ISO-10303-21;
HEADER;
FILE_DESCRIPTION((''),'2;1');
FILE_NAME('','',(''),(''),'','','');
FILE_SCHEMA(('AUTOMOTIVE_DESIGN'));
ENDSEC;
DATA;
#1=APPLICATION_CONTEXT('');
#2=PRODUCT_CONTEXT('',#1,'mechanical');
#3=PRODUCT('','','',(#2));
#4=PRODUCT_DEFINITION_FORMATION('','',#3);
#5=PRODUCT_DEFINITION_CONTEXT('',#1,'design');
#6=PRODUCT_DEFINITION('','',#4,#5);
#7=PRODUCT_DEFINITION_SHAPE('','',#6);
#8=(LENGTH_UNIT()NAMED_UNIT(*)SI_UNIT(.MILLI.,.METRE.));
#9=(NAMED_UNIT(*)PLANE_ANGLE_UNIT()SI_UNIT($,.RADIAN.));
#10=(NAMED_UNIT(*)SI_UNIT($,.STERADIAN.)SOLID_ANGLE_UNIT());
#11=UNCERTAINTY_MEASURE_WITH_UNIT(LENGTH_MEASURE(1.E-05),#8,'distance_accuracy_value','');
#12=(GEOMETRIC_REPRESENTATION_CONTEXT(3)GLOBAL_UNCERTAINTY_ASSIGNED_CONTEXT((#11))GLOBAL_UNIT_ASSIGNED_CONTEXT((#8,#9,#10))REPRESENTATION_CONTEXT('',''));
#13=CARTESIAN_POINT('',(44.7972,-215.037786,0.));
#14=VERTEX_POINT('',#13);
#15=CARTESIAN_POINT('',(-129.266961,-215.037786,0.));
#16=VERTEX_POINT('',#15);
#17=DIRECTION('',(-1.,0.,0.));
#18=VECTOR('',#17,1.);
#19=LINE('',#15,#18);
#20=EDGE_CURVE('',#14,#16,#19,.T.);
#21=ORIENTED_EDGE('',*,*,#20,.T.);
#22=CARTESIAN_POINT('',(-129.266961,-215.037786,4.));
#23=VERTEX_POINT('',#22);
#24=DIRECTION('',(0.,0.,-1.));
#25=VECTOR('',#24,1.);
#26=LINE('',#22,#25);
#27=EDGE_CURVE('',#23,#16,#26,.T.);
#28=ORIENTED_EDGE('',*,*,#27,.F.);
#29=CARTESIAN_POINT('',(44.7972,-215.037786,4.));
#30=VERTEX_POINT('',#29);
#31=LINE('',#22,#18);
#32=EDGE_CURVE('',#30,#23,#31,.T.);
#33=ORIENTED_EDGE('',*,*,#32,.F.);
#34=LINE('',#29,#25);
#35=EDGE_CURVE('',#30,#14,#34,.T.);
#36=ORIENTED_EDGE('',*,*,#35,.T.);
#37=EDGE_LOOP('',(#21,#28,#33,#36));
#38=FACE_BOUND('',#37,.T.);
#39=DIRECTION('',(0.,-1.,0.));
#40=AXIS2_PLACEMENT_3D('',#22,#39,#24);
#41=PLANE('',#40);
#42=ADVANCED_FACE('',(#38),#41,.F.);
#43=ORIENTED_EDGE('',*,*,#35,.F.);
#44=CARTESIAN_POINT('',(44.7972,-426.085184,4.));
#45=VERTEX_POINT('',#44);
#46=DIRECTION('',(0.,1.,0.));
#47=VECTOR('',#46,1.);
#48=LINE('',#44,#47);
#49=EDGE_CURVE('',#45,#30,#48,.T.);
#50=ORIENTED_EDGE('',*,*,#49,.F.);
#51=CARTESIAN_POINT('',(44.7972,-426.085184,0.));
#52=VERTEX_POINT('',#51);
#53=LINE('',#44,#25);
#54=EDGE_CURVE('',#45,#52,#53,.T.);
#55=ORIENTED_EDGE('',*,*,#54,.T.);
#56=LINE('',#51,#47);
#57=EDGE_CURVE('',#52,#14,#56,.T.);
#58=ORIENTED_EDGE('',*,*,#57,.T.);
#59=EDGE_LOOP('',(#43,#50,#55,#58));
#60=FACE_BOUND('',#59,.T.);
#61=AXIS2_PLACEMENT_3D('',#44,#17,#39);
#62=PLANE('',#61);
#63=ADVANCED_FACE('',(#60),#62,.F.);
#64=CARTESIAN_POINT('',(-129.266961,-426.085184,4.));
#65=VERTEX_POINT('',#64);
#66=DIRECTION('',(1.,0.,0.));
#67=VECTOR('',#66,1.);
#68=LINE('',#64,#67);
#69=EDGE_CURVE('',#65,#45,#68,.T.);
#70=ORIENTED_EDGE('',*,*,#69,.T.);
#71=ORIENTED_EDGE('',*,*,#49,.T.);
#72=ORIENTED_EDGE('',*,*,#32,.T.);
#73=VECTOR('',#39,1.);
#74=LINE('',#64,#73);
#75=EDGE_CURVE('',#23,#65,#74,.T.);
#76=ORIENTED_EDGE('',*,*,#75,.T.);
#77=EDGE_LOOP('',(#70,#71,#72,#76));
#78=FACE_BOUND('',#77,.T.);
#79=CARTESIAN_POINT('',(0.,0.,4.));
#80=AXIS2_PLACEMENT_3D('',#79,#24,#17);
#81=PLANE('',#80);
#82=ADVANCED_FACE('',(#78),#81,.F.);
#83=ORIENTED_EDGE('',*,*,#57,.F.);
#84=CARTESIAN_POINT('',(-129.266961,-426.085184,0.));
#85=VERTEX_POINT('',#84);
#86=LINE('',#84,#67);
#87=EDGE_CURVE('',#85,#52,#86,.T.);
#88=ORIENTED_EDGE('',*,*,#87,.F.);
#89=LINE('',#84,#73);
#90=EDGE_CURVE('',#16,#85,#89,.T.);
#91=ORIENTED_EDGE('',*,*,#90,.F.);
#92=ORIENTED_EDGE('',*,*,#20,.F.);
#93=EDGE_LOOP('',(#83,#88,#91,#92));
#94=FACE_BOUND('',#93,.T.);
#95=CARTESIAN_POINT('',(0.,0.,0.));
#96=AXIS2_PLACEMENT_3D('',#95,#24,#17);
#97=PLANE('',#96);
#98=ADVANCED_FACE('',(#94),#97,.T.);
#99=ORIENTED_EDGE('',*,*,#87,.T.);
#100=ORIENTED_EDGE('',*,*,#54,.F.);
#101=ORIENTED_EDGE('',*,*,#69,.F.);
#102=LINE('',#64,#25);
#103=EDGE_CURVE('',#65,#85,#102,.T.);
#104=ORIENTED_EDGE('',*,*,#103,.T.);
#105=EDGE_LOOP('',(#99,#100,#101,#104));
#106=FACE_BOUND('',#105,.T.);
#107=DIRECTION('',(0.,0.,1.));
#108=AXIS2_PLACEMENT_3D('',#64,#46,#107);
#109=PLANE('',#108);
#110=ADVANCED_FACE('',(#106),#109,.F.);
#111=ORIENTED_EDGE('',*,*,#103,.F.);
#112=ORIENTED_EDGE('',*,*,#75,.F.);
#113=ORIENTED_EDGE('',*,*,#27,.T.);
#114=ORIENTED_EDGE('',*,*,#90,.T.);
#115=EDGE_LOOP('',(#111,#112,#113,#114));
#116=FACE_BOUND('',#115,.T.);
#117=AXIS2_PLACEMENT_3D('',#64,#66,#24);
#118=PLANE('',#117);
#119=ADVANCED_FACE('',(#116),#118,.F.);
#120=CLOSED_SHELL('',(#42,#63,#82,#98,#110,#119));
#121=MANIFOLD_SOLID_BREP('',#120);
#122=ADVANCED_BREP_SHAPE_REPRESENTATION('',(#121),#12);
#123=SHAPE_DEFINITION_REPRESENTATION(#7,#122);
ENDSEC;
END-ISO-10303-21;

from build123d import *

# Parameters (mm, degrees)
SKETCH1_W           = 174.064160833
SKETCH1_H           = 211.04739762
BOSS_EXTRUDE1_DEPTH = 4


with BuildPart() as part:
    # Sketch1 → Boss-Extrude1 (new body)
    with BuildSketch(Plane.XY):
        with Locations((-42.234880602, -320.561484724)):
            Rectangle(SKETCH1_W, SKETCH1_H)
    extrude(amount=BOSS_EXTRUDE1_DEPTH)


solid = part.part
